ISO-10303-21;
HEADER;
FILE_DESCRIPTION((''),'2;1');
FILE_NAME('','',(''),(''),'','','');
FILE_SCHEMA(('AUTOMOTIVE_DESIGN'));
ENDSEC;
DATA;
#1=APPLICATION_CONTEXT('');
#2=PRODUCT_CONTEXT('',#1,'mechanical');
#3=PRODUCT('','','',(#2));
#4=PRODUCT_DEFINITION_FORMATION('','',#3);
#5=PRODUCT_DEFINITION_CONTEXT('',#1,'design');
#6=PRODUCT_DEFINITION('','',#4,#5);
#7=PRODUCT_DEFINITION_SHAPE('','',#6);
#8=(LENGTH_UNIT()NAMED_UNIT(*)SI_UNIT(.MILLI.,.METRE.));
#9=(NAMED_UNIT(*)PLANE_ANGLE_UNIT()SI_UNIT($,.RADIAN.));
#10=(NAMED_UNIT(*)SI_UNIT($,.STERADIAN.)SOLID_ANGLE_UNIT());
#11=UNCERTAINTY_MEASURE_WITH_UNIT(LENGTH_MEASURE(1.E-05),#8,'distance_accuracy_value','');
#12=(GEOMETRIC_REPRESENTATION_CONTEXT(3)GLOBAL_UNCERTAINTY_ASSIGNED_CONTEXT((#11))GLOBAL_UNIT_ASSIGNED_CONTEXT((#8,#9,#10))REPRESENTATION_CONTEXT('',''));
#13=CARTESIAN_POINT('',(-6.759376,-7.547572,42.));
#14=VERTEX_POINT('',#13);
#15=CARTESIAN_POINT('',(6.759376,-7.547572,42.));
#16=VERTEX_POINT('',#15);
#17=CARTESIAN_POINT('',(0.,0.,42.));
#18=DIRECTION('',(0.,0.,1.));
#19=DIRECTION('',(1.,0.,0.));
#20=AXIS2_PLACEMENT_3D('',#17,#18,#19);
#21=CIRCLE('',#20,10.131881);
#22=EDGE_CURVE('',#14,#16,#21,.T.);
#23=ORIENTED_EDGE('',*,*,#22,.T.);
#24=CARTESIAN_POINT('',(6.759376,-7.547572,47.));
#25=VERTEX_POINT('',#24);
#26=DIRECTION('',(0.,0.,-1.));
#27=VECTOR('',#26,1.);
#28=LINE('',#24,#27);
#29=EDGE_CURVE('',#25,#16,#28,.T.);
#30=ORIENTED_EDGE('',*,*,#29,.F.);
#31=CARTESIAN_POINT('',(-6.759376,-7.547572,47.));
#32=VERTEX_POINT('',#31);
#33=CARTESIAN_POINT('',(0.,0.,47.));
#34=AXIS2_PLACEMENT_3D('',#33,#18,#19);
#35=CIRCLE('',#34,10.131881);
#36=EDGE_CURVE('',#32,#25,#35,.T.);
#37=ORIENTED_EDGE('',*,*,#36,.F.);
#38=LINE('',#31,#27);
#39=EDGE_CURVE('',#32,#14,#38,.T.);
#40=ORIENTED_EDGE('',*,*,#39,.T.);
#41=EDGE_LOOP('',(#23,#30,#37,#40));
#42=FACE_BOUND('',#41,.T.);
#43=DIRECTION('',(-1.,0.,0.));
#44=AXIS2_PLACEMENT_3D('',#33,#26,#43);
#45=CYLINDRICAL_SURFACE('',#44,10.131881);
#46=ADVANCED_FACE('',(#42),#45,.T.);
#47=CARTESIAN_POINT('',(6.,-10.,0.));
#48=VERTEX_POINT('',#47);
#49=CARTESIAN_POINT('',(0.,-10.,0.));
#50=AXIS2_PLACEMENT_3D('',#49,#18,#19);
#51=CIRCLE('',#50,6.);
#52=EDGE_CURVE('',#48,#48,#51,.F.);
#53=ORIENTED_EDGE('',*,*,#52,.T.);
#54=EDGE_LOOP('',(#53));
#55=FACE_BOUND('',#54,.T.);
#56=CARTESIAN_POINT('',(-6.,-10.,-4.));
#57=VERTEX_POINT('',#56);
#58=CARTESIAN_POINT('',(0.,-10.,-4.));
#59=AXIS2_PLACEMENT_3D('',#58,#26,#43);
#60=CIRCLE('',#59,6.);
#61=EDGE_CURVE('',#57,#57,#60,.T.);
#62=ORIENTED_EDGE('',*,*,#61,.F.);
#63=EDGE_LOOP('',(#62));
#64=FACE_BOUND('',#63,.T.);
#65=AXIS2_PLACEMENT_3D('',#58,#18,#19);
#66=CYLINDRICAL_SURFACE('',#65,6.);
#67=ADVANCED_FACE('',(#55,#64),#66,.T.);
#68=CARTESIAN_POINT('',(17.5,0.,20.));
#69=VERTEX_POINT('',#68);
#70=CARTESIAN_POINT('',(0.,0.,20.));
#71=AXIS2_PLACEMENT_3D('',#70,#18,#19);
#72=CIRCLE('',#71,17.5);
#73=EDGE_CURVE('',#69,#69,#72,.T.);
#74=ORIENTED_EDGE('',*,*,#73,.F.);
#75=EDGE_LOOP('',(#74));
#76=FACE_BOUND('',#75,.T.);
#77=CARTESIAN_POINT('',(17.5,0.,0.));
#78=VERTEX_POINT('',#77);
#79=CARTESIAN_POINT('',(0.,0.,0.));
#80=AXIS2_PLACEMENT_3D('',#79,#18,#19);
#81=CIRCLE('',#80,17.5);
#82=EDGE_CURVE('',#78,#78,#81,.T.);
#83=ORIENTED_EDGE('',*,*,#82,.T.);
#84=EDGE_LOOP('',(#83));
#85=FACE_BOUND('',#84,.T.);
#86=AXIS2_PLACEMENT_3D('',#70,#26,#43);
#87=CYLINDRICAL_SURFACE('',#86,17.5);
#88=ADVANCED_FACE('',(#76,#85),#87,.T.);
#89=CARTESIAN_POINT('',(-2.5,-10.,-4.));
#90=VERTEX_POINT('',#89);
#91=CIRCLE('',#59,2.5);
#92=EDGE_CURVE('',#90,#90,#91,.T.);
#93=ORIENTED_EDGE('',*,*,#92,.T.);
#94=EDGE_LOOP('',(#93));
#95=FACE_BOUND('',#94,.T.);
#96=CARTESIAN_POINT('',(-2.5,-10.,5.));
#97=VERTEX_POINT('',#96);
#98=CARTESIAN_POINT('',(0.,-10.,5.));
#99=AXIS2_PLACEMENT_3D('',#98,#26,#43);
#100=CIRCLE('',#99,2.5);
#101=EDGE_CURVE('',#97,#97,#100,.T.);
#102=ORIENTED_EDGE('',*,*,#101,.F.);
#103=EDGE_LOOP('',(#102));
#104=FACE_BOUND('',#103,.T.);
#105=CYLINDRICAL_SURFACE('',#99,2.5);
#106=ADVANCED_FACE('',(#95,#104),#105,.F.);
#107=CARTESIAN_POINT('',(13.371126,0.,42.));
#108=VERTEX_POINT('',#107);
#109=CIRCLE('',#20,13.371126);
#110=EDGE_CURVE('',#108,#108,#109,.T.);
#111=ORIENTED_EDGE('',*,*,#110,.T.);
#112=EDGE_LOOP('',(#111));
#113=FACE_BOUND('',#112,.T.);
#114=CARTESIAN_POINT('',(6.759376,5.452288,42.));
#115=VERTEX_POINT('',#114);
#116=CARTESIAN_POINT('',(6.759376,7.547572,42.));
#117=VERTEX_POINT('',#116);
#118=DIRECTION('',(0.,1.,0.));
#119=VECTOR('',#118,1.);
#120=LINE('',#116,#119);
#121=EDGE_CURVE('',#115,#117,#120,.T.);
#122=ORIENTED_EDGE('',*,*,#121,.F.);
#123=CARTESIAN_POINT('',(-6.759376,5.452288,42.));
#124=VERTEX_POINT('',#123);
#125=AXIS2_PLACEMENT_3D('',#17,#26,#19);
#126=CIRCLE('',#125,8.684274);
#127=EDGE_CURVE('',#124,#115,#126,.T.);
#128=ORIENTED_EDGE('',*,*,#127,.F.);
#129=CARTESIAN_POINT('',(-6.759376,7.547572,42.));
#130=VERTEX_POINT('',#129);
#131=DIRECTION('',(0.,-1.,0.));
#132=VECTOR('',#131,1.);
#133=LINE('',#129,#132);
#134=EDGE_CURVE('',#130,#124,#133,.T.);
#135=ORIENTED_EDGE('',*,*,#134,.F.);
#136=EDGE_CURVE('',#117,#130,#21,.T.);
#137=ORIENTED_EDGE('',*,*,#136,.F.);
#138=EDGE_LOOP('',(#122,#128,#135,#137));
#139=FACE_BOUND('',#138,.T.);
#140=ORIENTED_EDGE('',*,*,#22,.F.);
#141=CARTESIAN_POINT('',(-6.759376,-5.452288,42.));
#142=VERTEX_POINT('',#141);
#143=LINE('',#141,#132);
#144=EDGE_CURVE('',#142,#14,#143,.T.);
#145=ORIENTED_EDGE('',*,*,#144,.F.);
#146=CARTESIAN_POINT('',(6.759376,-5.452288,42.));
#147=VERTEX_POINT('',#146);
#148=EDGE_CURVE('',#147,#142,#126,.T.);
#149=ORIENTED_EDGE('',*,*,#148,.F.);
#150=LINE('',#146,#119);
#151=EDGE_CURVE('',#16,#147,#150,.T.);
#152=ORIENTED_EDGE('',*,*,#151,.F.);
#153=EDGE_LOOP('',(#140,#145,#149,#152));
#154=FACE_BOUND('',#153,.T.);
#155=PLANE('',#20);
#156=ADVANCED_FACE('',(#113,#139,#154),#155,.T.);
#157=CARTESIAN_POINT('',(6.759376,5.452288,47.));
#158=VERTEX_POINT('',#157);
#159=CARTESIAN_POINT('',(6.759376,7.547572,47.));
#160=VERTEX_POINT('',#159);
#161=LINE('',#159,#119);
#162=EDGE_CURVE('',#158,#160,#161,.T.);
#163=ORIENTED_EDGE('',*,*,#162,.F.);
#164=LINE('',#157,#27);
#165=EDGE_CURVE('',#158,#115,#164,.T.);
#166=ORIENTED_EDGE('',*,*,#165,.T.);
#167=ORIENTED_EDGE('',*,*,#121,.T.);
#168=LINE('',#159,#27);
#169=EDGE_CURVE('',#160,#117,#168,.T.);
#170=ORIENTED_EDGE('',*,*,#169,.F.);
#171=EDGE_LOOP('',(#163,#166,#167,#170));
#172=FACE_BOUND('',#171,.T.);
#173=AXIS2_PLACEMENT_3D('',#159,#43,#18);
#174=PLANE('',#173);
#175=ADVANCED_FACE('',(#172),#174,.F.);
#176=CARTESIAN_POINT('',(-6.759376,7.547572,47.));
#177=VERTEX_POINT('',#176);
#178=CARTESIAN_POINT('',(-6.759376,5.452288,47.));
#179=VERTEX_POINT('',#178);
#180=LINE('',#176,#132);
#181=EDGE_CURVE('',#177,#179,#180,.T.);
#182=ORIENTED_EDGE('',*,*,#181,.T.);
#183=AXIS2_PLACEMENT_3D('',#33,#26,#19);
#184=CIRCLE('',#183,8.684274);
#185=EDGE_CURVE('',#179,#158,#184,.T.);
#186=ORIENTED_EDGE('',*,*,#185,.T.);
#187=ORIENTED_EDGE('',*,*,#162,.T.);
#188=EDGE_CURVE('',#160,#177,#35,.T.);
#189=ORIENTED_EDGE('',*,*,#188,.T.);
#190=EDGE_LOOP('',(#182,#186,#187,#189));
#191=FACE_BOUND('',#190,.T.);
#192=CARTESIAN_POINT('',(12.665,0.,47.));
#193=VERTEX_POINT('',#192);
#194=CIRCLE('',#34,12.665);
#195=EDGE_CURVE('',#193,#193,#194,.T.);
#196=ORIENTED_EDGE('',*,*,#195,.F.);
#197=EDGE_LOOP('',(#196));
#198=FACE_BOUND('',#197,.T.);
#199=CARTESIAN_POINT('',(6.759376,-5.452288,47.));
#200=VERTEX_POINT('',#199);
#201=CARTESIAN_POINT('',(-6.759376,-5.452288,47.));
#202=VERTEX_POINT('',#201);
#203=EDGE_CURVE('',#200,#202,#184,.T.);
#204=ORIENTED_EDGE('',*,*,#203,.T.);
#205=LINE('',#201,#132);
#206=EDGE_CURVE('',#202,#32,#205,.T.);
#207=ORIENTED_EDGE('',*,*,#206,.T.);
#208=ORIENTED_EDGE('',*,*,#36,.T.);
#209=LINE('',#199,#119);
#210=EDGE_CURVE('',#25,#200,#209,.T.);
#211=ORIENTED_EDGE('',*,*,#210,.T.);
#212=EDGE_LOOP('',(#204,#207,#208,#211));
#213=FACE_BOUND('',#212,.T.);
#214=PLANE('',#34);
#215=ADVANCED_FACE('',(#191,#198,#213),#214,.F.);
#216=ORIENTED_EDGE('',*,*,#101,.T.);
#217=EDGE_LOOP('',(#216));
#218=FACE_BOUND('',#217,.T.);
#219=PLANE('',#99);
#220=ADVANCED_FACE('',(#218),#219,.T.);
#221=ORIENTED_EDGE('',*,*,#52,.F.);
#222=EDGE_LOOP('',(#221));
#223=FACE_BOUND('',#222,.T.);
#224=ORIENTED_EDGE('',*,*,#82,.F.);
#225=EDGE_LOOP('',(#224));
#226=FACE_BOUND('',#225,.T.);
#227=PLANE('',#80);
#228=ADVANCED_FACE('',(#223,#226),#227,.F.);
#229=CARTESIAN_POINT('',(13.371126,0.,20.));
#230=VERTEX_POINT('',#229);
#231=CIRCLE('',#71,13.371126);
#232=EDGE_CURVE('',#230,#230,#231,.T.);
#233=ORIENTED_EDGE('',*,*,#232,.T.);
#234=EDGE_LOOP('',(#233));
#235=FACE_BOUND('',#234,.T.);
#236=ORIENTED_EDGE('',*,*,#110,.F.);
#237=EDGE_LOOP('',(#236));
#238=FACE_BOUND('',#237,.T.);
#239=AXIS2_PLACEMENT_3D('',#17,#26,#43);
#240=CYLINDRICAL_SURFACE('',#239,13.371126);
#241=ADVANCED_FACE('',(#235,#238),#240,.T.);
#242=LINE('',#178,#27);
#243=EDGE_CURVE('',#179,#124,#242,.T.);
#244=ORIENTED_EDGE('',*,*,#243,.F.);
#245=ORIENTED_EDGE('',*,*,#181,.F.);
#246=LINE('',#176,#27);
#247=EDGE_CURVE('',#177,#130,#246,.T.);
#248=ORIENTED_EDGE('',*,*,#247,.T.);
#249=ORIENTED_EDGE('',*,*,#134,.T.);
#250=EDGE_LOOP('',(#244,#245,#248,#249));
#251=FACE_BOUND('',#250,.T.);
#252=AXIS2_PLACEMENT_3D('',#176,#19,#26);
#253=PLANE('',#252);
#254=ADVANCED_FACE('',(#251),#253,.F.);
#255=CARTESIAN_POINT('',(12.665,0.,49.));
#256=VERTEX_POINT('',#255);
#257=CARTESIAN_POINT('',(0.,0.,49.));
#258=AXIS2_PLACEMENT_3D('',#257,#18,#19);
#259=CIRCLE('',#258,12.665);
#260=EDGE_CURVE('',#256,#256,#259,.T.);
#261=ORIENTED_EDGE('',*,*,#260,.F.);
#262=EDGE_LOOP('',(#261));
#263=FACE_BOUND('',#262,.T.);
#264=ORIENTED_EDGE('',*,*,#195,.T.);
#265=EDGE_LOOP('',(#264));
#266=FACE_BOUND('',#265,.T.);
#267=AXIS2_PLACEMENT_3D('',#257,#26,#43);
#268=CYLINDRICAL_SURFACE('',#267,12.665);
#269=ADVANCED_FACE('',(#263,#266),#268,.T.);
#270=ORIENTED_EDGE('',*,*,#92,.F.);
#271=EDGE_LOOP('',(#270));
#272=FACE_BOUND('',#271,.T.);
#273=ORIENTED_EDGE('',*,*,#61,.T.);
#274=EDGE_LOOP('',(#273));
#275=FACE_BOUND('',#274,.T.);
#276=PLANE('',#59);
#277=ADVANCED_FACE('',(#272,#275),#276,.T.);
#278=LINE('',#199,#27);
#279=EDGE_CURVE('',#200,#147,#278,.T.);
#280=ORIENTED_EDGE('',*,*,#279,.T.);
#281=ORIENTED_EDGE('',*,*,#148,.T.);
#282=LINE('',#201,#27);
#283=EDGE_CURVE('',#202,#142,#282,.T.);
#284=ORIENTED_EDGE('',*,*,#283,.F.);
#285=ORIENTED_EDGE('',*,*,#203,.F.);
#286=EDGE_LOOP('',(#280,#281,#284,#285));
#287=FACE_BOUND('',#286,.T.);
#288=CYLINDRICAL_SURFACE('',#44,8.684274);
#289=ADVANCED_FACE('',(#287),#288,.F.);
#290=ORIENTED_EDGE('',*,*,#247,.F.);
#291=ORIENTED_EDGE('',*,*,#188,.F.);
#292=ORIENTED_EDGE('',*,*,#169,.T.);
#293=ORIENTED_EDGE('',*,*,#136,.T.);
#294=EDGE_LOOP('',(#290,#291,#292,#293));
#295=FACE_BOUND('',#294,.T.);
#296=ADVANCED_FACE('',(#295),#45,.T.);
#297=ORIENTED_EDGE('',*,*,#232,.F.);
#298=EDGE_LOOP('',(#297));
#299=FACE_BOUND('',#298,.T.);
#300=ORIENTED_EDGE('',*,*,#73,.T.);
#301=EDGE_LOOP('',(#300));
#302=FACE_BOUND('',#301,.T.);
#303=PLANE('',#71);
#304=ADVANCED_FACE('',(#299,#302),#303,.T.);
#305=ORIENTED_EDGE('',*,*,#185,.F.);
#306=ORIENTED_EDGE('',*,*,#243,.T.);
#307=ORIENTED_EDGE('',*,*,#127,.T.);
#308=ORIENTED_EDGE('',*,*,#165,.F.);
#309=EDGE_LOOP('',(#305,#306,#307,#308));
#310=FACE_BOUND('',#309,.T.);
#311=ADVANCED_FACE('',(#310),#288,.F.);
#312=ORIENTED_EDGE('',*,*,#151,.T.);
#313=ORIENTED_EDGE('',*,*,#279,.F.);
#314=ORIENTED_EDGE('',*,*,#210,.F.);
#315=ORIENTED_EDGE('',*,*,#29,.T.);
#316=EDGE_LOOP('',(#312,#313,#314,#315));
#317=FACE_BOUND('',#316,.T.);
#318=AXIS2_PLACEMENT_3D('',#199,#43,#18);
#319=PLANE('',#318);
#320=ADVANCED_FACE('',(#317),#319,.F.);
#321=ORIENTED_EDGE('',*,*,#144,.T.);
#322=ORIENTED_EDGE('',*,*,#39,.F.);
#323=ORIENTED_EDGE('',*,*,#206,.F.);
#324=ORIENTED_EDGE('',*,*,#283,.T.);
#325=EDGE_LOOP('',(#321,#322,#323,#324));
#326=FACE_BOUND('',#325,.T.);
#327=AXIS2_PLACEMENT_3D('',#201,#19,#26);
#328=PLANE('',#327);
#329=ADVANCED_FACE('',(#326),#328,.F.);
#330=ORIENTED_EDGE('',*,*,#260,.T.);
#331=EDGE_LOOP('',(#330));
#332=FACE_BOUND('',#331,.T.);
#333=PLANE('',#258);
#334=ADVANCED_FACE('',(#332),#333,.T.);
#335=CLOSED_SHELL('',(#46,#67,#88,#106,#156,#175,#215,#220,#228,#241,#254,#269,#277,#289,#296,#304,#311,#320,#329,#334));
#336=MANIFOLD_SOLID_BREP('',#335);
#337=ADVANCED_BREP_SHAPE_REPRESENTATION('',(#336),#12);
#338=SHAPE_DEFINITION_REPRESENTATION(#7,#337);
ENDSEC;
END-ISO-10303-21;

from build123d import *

# Parameters (mm, degrees)
SKETCH1_R           = 17.5
BOSS_EXTRUDE1_DEPTH = 20
SKETCH2_R           = 13.371126373
BOSS_EXTRUDE2_DEPTH = 22
BOSS_EXTRUDE3_DEPTH = 5
SKETCH4_R           = 12.665000137
BOSS_EXTRUDE4_DEPTH = 2
SKETCH5_R           = 2.5
BOSS_EXTRUDE5_DEPTH = 20
SKETCH6_R           = 6
SKETCH6_R_2         = 2.5
BOSS_EXTRUDE6_DEPTH = 4
CUT_EXTRUDE1_START  = -25
SKETCH8_R           = 2.5
CUT_EXTRUDE1_DEPTH  = 25


with BuildPart() as part:
    # Sketch1 → Boss-Extrude1 (new body)
    with BuildSketch(Plane.XY):
        Circle(SKETCH1_R)
    extrude(amount=BOSS_EXTRUDE1_DEPTH)

    # Sketch2 → Boss-Extrude2 (add)
    with BuildSketch(Plane.XY.offset(20)):
        Circle(SKETCH2_R)
    extrude(amount=BOSS_EXTRUDE2_DEPTH)

    # Sketch3 → Boss-Extrude3 (add)
    with BuildSketch(Plane.XY.offset(42)):
        with BuildLine():
            Line((-6.759376189, 7.547571999), (-6.759376189, 5.4522877))
            ThreePointArc((-6.759376189, 5.4522877), (0, 8.684273581), (6.759376189, 5.4522877))
            Line((6.759376189, 5.4522877), (6.759376189, 7.547571999))
            ThreePointArc((6.759376189, 7.547571999), (0, 10.131880849), (-6.759376189, 7.547571999))
        make_face()
        with BuildLine():
            Line((-6.759376189, -5.4522877), (-6.759376189, -7.547571999))
            ThreePointArc((-6.759376189, -7.547571999), (0, -10.131880849), (6.759376189, -7.547571999))
            Line((6.759376189, -7.547571999), (6.759376189, -5.4522877))
            ThreePointArc((6.759376189, -5.4522877), (0, -8.684273581), (-6.759376189, -5.4522877))
        make_face()
    extrude(amount=BOSS_EXTRUDE3_DEPTH)

    # Sketch4 → Boss-Extrude4 (add)
    with BuildSketch(Plane.XY.offset(47)):
        Circle(SKETCH4_R)
    extrude(amount=BOSS_EXTRUDE4_DEPTH)

    # Sketch5 → Boss-Extrude5 (add)
    with BuildSketch(Plane(origin=(0, 0, 0), x_dir=(-1, 0, 0), z_dir=(0, 0, -1))):
        with Locations(Location((0, -10, 0), (0, 0, 180))):
            Circle(SKETCH5_R)
    extrude(amount=BOSS_EXTRUDE5_DEPTH)

    # Sketch6 → Boss-Extrude6 (add)
    with BuildSketch(Plane(origin=(0, 0, 0), x_dir=(-1, 0, 0), z_dir=(0, 0, -1))):
        with Locations(Location((0, -10, 0), (0, 0, 180))):
            Circle(SKETCH6_R)
        with Locations((0, -10)):
            Circle(SKETCH6_R_2, mode=Mode.SUBTRACT)
    extrude(amount=BOSS_EXTRUDE6_DEPTH)

    # Sketch8 → Cut-Extrude1 (cut)
    with BuildSketch(Plane(origin=(0, 0, -20), x_dir=(-1, 0, 0), z_dir=(0, 0, -1)).offset(CUT_EXTRUDE1_START)):
        with Locations((0, -10)):
            Circle(SKETCH8_R)
    extrude(amount=CUT_EXTRUDE1_DEPTH, mode=Mode.SUBTRACT)


solid = part.part
